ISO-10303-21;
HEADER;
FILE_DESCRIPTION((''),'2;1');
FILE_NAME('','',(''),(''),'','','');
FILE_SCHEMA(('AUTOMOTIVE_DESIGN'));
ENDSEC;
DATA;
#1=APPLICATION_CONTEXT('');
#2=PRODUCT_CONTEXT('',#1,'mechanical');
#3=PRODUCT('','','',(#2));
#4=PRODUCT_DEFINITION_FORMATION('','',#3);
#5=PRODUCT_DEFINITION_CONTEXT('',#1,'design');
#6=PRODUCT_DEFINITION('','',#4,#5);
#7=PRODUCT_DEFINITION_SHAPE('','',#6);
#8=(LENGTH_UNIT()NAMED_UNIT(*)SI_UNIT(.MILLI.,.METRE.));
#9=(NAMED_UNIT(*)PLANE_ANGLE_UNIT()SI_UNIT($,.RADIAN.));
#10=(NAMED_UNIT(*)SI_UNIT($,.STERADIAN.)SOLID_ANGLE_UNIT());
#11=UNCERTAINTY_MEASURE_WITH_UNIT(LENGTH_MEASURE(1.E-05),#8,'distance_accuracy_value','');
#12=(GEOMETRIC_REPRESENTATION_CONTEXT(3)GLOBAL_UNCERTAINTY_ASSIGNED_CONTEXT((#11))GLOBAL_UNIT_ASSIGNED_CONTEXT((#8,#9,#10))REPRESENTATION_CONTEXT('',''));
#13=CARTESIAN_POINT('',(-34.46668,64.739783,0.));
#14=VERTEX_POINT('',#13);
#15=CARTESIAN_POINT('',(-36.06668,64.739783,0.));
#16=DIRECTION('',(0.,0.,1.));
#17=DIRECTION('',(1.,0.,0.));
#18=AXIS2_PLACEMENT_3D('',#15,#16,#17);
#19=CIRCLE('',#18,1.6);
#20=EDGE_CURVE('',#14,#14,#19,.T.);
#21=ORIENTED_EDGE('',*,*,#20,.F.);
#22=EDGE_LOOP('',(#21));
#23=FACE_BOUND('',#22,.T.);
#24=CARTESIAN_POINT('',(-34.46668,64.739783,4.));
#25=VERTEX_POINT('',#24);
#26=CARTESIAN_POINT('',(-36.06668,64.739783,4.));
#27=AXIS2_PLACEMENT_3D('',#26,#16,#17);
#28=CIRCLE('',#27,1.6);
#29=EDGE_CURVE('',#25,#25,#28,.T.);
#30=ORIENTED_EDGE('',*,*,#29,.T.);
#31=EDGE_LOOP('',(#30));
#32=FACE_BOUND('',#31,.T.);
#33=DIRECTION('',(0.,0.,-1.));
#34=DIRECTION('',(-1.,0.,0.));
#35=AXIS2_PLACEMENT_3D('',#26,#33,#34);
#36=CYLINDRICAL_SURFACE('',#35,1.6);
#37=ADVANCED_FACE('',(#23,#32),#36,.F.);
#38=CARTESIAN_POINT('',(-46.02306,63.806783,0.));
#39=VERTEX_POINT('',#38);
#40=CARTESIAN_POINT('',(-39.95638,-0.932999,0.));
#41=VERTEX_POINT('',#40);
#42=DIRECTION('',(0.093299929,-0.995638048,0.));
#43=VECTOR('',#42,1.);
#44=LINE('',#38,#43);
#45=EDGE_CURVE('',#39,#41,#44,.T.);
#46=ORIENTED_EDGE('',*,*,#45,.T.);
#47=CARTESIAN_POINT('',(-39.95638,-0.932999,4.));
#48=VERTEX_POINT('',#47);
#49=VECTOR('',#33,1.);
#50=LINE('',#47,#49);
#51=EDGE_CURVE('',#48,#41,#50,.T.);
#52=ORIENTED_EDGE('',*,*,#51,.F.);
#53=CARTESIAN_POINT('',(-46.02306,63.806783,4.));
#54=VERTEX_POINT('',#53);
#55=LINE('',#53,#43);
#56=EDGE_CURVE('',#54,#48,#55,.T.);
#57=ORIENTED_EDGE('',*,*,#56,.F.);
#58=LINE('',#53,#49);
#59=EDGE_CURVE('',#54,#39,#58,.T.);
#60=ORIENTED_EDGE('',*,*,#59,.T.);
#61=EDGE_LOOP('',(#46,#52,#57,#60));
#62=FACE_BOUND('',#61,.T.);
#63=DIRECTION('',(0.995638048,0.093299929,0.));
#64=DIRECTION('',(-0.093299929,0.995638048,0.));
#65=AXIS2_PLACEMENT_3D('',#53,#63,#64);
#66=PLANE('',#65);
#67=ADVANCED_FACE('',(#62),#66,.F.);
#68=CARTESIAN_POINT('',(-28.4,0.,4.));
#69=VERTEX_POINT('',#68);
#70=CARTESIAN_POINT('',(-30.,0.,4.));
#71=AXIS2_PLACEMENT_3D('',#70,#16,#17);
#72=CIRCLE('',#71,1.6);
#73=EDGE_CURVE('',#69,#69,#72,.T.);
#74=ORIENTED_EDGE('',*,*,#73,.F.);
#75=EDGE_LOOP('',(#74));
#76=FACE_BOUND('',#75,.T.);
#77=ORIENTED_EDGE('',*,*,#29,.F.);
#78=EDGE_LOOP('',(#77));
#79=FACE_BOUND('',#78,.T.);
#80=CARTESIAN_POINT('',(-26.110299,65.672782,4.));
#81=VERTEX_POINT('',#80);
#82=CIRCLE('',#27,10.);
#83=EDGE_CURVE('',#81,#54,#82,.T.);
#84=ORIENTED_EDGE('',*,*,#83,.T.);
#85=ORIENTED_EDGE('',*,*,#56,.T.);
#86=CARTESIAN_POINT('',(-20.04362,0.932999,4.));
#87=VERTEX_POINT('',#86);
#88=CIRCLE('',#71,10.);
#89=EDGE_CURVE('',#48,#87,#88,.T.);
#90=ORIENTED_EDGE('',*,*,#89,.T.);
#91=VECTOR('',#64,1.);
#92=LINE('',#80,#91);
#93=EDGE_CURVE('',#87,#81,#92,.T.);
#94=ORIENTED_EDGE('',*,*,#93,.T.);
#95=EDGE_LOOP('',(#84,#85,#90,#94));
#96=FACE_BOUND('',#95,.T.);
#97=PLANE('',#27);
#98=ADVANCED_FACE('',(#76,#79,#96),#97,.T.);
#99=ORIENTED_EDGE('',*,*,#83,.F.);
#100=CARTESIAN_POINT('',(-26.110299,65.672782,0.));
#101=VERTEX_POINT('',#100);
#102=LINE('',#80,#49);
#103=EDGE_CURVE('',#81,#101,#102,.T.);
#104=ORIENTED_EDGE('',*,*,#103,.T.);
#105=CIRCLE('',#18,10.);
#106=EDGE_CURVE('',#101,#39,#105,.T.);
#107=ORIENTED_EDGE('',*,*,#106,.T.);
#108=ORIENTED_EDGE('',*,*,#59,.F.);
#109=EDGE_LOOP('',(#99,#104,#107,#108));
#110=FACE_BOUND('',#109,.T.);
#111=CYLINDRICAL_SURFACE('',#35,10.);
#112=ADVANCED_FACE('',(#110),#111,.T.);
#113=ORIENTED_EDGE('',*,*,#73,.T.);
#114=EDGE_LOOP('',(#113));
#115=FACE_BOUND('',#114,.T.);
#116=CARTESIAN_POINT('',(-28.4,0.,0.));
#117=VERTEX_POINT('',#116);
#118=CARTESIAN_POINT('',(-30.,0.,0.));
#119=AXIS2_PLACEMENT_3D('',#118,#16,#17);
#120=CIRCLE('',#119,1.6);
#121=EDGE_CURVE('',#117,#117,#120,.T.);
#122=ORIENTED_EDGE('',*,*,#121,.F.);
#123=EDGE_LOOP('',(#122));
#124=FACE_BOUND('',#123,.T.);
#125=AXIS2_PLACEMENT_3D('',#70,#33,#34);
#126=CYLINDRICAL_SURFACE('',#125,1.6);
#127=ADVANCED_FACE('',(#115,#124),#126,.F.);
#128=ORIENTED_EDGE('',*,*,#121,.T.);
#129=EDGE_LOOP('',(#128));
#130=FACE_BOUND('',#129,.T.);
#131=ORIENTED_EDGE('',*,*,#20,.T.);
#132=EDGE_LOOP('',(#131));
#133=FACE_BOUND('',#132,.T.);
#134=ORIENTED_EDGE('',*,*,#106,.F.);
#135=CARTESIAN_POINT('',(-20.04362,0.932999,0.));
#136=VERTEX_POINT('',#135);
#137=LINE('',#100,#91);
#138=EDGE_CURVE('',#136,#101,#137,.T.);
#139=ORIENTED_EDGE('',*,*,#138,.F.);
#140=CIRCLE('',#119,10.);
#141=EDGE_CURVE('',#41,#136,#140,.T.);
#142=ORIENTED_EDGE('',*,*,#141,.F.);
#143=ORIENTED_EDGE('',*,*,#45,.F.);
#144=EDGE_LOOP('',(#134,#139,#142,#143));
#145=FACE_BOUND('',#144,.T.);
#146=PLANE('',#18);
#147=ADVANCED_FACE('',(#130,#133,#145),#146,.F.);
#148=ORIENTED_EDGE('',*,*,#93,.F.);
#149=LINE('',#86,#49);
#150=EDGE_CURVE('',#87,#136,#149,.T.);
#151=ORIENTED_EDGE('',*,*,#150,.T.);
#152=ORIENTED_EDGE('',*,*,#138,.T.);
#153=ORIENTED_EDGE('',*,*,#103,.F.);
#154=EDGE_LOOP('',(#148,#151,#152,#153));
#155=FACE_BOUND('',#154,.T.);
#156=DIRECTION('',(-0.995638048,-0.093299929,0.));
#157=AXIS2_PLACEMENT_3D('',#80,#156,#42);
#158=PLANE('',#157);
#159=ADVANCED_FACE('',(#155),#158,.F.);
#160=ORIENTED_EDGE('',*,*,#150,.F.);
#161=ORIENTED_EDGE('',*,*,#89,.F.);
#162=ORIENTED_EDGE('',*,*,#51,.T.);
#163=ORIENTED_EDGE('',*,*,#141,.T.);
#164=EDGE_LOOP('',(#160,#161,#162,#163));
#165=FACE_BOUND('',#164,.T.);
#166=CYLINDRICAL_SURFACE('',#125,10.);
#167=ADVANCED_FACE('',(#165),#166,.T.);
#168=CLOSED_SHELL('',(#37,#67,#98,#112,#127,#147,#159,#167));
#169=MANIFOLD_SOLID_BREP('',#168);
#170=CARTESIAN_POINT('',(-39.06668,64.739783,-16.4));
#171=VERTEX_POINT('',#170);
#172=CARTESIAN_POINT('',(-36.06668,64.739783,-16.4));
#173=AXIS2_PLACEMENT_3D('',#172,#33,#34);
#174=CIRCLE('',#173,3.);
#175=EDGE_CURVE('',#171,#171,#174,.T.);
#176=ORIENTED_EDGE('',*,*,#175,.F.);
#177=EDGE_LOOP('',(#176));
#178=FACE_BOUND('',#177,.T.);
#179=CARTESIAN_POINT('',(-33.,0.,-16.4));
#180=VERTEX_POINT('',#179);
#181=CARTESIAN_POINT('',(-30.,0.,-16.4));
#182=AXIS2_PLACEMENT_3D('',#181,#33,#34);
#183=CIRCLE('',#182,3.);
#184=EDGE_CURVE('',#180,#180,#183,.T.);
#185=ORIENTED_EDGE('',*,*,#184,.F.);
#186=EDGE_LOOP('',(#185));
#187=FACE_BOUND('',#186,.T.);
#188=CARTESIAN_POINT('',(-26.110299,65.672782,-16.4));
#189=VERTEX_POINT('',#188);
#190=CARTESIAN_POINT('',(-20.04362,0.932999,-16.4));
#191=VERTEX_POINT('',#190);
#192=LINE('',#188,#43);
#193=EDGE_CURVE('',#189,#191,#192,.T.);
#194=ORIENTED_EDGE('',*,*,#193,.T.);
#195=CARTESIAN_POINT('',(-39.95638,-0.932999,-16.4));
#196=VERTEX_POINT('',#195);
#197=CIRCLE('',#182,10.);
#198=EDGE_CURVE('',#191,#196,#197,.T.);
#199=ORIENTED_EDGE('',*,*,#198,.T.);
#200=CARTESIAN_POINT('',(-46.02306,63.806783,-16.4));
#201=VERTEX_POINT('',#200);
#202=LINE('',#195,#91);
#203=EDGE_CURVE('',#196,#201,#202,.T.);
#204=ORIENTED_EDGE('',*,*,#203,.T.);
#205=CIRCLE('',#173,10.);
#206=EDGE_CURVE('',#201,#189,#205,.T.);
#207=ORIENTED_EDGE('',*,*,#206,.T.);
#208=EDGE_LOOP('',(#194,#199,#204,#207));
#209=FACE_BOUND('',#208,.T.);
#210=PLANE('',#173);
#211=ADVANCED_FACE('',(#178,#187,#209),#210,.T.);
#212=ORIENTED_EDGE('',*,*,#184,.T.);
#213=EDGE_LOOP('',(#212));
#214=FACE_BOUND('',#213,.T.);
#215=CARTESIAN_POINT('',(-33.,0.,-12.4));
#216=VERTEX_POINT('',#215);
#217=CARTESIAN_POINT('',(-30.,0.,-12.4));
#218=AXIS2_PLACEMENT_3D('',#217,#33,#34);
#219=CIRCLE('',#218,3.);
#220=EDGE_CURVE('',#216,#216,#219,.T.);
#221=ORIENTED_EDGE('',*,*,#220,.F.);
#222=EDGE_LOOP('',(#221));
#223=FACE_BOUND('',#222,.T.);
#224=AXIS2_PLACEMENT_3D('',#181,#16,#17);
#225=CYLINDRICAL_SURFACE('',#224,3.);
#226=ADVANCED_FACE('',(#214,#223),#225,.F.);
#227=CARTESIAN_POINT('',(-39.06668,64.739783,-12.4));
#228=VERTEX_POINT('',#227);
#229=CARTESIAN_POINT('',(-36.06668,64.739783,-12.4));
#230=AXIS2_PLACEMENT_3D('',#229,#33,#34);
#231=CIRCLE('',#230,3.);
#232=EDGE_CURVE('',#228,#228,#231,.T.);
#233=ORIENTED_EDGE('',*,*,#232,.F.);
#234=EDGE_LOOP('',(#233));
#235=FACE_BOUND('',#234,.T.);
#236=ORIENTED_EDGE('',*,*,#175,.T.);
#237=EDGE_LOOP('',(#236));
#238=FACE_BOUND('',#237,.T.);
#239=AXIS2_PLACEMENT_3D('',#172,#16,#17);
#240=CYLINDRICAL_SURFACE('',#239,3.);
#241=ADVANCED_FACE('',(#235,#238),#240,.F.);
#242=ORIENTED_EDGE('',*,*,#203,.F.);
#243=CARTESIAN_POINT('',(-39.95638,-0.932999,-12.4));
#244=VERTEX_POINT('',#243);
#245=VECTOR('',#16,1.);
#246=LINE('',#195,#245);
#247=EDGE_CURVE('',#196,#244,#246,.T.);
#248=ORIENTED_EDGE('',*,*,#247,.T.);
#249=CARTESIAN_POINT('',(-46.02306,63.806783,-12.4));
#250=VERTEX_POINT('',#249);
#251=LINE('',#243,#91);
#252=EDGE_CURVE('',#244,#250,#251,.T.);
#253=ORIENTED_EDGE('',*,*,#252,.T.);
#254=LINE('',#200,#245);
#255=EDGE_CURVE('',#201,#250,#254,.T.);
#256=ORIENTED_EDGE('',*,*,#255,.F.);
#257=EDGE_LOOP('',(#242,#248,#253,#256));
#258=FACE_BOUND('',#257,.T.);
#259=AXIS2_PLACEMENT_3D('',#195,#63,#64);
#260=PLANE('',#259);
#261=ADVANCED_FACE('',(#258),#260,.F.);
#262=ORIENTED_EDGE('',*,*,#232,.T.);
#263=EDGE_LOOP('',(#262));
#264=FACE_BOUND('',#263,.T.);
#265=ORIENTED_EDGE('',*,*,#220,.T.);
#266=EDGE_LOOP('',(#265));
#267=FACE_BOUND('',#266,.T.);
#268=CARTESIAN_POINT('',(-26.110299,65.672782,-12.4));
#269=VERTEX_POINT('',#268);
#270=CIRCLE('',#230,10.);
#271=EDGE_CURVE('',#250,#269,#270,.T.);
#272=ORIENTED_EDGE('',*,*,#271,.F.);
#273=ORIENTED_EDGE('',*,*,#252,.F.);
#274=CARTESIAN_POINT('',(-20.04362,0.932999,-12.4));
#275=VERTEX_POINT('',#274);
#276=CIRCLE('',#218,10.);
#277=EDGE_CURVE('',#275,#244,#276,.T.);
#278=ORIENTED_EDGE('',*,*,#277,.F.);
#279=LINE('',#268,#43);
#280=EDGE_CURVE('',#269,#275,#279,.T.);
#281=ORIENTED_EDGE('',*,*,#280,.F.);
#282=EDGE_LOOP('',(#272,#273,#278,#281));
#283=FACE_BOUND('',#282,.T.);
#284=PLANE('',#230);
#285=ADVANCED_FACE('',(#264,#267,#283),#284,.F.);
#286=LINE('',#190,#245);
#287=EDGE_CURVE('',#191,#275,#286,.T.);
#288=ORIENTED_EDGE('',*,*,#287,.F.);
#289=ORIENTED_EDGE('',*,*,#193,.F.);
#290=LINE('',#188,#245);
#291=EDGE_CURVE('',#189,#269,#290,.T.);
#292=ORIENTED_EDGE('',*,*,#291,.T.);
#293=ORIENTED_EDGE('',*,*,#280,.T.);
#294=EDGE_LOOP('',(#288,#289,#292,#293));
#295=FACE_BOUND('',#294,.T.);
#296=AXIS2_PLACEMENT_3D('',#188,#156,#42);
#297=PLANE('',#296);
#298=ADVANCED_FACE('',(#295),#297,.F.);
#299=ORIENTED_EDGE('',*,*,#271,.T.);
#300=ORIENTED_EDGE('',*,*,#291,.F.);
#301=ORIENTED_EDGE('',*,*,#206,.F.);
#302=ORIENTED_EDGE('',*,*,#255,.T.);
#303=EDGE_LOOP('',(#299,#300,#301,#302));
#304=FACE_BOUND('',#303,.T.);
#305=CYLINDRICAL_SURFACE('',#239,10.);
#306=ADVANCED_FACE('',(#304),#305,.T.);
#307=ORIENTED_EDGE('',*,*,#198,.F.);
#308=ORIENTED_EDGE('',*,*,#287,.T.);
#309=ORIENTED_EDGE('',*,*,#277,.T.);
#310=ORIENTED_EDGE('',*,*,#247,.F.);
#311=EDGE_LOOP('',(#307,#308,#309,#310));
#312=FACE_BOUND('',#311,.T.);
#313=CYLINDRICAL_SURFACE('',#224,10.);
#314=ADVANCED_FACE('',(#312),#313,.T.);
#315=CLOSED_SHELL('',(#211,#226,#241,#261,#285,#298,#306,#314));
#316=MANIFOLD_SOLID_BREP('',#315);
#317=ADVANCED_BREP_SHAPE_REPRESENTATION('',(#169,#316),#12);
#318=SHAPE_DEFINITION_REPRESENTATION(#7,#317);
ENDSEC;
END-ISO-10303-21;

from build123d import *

# Parameters (mm, degrees)
SKETCH_1_R      = 1.6
EXTRUDE_1_DEPTH = 4
SKETCH_3_R      = 3
EXTRUDE_2_DEPTH = 4


with BuildPart() as part:
    # ｽｹｯﾁ1 → ﾎﾞｽ - 押し出し1 (new body)
    with BuildSketch(Plane.XY):
        with BuildLine():
            Line((-26.110299196, 65.672781916), (-20.043619517, 0.932999289))
            ThreePointArc((-20.043619517, 0.932999289), (-29.067000711, -9.956380483), (-39.956380483, -0.932999289))
            Line((-39.956380483, -0.932999289), (-46.023060163, 63.806783338))
            ThreePointArc((-46.023060163, 63.806783338), (-36.999678969, 74.69616311), (-26.110299196, 65.672781916))
        make_face()
        with Locations((-36.06667968, 64.739782627)):
            Circle(SKETCH_1_R, mode=Mode.SUBTRACT)
        with Locations((-30, 0)):
            Circle(SKETCH_1_R, mode=Mode.SUBTRACT)
    extrude(amount=EXTRUDE_1_DEPTH)


with BuildPart() as body_2:
    # ｽｹｯﾁ3 → ﾎﾞｽ - 押し出し2 (new body)
    with BuildSketch(Plane(origin=(0, 0, -12.4), x_dir=(-1, 0, 0), z_dir=(0, 0, -1))):
        with BuildLine():
            Line((26.110299196, 65.672781916), (20.043619517, 0.932999289))
            ThreePointArc((20.043619517, 0.932999289), (29.067000711, -9.956380483), (39.956380483, -0.932999289))
            Line((39.956380483, -0.932999289), (46.023060163, 63.806783338))
            ThreePointArc((46.023060163, 63.806783338), (36.999678969, 74.69616311), (26.110299196, 65.672781916))
        make_face()
        with Locations((30, 0)):
            Circle(SKETCH_3_R, mode=Mode.SUBTRACT)
        with Locations((36.06667968, 64.739782627)):
            Circle(SKETCH_3_R, mode=Mode.SUBTRACT)
    extrude(amount=EXTRUDE_2_DEPTH)


solid = Compound([part.part, body_2.part])
